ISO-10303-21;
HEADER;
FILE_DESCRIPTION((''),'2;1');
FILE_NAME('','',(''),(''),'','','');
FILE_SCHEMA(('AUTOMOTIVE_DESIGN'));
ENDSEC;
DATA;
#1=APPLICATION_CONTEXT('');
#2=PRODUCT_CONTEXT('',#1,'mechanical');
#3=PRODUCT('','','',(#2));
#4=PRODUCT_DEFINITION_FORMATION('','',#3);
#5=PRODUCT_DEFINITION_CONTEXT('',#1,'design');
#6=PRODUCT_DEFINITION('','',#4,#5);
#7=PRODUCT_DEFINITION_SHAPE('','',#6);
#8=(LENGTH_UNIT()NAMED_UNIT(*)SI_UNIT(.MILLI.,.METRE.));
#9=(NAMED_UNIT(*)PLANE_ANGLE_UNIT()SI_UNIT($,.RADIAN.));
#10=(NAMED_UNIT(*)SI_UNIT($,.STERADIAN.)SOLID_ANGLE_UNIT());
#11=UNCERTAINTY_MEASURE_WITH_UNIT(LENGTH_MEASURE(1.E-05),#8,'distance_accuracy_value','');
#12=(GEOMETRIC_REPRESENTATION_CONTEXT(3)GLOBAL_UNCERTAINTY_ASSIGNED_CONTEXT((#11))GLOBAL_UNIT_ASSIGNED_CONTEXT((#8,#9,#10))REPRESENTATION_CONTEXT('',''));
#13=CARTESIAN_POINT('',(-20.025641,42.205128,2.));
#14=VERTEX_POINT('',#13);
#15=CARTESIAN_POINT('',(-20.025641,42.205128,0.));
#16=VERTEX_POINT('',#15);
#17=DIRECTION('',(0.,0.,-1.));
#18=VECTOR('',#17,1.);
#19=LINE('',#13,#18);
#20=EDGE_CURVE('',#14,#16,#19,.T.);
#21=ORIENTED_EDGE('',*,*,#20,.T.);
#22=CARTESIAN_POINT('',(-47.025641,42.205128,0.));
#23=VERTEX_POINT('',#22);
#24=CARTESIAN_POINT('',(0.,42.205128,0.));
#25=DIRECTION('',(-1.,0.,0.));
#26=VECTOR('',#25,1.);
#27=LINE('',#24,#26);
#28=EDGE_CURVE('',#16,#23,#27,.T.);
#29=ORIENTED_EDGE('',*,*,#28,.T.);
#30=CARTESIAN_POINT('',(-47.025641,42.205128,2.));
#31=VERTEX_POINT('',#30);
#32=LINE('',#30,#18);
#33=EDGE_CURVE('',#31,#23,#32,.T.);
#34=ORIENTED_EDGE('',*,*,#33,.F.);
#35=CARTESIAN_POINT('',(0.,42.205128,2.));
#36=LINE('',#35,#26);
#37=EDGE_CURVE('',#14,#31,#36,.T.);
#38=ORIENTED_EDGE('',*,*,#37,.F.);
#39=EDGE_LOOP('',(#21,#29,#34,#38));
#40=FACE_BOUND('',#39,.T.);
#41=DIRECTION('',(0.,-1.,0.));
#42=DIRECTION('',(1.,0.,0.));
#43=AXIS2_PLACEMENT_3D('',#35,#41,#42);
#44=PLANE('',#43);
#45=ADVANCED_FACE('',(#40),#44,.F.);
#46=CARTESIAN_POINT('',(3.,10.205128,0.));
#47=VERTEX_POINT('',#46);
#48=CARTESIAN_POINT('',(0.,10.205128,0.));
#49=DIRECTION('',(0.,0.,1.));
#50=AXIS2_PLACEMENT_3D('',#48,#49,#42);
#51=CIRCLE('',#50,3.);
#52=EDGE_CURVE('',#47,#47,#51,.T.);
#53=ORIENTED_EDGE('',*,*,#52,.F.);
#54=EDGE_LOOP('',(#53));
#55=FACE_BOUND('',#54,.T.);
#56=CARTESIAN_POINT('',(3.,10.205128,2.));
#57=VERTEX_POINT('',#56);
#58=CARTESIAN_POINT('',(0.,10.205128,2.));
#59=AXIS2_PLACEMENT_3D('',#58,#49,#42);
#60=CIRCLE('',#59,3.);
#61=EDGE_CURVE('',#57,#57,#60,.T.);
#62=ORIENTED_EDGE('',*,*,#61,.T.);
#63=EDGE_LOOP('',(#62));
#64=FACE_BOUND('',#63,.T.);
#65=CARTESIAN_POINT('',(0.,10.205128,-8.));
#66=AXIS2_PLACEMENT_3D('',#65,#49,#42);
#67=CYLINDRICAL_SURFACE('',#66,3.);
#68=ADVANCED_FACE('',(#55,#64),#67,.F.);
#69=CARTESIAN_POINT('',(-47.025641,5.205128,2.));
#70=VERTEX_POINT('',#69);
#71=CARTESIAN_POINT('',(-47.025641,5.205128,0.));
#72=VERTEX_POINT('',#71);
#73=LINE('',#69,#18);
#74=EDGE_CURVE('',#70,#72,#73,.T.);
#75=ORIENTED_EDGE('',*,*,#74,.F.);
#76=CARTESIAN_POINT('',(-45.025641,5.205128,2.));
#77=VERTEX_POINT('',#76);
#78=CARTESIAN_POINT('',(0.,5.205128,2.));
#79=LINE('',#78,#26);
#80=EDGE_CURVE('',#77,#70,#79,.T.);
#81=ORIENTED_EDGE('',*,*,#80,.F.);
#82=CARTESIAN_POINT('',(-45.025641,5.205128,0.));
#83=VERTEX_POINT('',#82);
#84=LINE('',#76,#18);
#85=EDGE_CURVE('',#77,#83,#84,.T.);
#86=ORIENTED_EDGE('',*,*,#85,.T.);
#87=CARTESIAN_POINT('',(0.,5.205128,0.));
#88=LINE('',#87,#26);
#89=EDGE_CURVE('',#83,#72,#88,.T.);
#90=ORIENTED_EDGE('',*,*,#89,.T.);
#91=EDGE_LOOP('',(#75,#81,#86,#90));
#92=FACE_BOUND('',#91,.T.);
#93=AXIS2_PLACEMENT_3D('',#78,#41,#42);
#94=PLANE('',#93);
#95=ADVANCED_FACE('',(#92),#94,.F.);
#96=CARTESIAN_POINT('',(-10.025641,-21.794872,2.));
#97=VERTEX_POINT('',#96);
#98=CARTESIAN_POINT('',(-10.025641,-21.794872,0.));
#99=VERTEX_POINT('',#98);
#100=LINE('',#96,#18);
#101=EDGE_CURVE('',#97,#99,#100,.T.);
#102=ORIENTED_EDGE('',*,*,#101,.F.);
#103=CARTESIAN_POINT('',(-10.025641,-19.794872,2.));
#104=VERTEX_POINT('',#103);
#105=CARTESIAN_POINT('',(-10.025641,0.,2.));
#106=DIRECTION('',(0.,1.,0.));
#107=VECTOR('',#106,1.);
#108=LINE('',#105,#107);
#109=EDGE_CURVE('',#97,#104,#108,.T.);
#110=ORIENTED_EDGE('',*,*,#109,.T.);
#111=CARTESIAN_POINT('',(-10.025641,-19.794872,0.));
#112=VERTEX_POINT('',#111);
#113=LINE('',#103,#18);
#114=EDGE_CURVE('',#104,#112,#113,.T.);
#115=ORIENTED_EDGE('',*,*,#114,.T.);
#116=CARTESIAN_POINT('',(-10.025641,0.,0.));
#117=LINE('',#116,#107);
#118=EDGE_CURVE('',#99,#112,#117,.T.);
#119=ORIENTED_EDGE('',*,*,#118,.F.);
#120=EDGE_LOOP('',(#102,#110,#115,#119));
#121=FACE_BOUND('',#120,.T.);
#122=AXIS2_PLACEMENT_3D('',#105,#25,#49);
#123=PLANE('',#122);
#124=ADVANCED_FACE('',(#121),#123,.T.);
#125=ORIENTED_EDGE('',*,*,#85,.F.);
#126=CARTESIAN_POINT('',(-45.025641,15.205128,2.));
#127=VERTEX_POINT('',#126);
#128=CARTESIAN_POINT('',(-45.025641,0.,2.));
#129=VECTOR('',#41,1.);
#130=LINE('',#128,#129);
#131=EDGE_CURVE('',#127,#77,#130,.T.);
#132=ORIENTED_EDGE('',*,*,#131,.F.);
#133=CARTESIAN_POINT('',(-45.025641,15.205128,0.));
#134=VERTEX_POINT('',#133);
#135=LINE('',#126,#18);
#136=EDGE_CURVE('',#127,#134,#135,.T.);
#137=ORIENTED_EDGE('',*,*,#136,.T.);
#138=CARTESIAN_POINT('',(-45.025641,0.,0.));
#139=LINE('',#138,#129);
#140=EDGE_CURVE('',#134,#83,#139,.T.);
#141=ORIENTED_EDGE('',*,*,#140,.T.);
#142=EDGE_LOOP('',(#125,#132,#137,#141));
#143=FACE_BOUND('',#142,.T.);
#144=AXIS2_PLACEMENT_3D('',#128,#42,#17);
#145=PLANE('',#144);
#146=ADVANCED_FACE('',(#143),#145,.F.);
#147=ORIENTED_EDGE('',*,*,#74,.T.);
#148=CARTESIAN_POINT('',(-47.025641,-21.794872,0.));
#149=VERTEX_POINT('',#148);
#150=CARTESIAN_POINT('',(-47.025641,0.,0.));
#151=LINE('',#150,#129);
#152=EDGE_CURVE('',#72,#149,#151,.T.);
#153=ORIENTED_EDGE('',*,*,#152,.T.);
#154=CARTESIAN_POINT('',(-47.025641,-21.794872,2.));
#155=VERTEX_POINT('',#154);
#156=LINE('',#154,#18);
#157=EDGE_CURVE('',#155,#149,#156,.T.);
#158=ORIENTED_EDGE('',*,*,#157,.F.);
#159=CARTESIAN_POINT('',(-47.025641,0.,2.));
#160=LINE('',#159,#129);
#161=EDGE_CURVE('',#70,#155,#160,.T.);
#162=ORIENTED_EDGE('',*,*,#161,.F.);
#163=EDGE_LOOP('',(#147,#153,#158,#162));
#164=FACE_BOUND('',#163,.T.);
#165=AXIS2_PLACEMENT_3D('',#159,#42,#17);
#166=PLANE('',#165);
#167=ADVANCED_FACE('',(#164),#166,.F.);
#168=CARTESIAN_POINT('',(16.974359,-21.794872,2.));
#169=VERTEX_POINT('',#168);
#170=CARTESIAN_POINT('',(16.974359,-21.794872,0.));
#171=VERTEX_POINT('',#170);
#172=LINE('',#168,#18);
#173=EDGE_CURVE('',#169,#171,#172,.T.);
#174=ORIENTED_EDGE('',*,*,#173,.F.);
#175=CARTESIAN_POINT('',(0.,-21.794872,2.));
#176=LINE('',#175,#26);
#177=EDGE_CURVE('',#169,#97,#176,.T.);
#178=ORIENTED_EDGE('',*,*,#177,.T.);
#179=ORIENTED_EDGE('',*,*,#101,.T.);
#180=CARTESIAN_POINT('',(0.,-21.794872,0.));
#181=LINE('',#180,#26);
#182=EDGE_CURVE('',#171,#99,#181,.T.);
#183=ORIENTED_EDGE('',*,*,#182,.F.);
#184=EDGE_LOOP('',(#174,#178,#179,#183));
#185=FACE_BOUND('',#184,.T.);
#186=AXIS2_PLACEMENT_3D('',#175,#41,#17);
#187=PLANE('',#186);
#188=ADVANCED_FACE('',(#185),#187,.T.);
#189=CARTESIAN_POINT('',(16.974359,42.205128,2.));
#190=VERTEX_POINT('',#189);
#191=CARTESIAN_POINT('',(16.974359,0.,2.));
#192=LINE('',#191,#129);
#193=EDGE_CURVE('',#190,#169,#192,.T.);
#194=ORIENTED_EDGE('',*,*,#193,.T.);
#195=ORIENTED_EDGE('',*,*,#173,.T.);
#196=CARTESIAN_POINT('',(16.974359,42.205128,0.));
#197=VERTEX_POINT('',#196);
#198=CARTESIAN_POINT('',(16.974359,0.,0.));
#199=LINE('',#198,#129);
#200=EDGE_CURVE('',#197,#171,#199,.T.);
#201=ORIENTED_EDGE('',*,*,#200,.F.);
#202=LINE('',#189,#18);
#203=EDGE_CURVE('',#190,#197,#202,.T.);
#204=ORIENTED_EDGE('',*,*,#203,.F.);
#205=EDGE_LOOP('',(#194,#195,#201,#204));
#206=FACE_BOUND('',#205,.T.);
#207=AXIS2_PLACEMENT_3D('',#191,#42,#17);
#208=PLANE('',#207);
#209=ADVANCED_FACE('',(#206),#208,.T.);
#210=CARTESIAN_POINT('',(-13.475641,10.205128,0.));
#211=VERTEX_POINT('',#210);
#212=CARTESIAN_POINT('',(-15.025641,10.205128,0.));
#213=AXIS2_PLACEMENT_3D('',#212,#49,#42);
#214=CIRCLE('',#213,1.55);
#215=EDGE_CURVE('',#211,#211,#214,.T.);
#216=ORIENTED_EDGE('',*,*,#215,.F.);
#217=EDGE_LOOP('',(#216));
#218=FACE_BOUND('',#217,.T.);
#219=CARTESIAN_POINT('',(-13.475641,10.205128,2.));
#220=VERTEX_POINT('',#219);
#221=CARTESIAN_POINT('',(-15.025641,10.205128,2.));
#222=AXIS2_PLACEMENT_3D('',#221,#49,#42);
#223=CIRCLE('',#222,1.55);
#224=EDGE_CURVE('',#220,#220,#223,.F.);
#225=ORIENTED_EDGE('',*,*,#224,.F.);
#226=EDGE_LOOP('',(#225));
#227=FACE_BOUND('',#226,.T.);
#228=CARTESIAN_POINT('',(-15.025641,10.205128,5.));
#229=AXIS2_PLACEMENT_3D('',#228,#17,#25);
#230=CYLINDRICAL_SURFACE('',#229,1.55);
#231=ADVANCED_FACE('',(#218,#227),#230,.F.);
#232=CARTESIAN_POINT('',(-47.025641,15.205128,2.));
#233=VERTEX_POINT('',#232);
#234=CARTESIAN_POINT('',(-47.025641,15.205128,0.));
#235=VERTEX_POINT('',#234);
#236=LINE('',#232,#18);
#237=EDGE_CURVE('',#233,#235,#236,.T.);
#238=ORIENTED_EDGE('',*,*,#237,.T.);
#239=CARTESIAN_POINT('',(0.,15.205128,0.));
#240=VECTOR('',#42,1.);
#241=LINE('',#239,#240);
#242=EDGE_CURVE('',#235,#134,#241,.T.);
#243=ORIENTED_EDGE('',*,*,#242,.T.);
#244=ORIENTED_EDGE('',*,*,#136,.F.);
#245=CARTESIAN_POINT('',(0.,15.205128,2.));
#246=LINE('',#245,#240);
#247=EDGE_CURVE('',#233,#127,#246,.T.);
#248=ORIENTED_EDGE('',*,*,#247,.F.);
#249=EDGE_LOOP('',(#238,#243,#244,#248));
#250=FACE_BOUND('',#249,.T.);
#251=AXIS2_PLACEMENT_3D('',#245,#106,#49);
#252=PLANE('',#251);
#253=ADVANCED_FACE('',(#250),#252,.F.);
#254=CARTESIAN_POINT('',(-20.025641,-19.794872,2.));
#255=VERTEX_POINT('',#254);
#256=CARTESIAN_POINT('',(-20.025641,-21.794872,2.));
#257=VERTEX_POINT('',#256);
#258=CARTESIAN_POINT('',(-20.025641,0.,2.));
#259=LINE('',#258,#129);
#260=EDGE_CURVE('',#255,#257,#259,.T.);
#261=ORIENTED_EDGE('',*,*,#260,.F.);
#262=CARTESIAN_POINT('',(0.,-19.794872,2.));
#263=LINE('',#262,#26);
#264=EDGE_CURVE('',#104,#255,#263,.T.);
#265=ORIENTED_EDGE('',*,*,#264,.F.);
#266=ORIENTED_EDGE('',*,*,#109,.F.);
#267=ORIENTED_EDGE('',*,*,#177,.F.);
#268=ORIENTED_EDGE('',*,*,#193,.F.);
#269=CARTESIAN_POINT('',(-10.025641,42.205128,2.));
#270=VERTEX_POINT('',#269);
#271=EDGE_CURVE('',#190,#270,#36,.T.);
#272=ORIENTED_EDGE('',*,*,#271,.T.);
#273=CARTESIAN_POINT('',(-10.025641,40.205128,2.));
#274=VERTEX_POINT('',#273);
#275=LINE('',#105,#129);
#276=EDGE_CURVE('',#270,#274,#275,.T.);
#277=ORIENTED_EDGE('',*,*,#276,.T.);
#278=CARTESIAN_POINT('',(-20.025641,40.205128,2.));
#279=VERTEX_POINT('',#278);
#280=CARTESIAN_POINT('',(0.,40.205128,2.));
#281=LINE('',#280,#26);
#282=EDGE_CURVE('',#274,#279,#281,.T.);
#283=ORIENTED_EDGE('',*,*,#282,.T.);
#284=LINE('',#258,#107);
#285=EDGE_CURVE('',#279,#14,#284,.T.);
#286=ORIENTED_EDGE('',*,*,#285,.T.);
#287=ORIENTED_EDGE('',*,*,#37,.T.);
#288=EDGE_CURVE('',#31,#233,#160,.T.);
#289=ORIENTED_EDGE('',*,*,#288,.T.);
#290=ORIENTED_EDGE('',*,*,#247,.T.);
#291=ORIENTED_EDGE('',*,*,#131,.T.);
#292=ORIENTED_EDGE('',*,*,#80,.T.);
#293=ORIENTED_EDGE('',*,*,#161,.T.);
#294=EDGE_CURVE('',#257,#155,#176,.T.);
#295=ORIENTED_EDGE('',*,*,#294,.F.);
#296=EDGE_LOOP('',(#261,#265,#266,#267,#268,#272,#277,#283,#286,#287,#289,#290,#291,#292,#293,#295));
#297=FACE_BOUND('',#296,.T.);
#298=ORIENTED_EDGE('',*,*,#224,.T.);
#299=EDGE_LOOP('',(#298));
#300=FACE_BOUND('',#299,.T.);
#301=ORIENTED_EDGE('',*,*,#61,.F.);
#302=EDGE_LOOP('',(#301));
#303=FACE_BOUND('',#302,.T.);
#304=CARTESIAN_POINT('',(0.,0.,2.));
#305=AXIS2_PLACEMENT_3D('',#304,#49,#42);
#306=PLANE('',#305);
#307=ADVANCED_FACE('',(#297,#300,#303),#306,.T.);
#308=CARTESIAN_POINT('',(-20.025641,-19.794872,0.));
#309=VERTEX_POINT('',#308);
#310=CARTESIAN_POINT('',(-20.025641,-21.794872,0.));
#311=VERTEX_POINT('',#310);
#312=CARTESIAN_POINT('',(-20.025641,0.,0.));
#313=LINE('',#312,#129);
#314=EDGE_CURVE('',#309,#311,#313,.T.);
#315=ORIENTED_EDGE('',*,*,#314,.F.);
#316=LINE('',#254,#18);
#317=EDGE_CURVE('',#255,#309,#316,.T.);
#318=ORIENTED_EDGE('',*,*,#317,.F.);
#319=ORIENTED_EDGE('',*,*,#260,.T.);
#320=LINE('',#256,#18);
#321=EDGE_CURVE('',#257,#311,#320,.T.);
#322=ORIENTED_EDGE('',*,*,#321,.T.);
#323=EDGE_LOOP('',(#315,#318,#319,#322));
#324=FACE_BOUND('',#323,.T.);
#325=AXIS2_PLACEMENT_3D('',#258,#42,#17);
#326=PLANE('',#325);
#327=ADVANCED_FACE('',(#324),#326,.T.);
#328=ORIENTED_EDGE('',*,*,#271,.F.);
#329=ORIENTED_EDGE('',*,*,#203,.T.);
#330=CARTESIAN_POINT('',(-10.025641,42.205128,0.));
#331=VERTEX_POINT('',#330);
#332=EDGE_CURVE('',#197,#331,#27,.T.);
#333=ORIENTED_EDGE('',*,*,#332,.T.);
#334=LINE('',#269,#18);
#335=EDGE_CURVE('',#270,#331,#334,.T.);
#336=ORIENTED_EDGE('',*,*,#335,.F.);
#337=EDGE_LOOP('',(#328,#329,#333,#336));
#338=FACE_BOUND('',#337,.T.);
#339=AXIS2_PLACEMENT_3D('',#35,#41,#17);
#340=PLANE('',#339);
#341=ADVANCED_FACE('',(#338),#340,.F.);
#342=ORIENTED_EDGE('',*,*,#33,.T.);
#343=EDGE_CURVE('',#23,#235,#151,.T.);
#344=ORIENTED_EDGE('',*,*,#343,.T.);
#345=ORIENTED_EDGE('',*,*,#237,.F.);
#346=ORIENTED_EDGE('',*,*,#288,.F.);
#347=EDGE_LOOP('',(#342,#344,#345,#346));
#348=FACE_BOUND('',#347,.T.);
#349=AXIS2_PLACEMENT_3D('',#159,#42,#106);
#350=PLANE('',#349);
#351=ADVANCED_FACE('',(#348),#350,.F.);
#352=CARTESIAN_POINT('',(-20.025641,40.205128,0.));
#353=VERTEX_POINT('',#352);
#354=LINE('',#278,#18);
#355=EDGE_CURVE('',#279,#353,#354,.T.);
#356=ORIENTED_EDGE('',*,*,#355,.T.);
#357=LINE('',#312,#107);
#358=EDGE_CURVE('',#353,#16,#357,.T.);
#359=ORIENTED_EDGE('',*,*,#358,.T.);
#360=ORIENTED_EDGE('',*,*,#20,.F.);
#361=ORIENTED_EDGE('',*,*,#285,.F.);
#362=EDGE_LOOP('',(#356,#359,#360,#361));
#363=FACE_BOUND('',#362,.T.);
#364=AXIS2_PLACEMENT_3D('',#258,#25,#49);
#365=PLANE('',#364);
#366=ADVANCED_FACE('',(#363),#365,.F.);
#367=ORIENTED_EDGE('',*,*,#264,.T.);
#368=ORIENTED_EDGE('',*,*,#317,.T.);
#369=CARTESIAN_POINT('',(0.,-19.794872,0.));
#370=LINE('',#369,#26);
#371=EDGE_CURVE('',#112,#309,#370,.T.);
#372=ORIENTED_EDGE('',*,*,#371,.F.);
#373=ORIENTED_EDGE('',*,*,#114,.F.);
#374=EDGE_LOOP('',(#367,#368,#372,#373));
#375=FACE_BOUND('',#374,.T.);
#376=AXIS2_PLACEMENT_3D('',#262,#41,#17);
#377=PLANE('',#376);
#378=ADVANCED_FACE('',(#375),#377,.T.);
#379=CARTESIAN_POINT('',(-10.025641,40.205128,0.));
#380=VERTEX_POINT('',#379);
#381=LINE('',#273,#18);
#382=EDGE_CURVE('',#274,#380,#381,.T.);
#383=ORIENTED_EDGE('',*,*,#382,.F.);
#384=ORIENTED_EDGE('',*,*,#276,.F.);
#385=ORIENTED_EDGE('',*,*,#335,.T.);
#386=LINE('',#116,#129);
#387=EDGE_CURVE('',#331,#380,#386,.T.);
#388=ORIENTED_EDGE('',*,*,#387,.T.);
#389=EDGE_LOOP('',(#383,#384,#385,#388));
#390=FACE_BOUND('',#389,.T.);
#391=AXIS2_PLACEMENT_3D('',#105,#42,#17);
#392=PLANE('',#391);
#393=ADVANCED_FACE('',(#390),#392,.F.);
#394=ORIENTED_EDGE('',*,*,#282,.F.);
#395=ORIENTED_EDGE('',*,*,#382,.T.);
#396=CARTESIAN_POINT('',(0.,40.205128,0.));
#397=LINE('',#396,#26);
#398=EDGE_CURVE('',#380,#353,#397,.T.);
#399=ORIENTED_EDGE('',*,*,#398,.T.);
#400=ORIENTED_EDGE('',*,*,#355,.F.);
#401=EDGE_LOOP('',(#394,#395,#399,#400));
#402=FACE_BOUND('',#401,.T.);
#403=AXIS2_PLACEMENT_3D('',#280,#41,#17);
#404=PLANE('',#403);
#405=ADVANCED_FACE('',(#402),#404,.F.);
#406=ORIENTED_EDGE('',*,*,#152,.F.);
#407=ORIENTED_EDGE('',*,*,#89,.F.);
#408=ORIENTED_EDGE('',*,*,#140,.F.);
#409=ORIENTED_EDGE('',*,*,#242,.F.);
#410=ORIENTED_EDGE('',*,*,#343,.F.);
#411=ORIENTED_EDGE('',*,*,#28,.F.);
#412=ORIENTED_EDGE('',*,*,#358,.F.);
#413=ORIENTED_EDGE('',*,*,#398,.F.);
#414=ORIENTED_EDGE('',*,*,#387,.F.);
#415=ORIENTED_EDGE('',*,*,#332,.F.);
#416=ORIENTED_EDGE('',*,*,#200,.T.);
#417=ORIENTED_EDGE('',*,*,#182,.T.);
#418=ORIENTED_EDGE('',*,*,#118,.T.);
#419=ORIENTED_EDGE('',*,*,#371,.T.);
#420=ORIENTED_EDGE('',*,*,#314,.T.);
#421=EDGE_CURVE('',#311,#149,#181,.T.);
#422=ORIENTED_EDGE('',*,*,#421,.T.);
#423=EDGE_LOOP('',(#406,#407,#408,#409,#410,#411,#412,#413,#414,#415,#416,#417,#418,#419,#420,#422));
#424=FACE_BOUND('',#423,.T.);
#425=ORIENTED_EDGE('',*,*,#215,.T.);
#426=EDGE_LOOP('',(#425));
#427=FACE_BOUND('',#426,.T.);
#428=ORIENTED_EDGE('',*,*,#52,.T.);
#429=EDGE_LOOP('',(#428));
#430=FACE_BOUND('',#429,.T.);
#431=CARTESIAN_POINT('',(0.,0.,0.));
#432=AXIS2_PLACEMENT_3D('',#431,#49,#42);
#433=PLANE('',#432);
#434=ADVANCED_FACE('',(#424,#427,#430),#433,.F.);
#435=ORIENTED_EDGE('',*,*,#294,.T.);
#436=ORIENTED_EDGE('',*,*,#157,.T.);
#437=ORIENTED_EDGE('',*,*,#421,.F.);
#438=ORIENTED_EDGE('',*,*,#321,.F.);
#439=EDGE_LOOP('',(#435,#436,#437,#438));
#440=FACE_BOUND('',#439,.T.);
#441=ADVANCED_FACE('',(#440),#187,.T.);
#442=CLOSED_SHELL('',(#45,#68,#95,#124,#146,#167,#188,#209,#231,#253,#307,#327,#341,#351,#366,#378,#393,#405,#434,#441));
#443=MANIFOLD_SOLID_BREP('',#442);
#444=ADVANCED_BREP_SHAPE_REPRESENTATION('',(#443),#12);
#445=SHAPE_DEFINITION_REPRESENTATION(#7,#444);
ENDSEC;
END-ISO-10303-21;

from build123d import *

# Parameters (mm, degrees)
EXTRUDE_1_DEPTH     = 2
SKETCH_2_R          = 1.55
CUT_EXTRUDE_1_DEPTH = 5
SKETCH_3_R          = 3
CUT_EXTRUDE_2_DEPTH = 10


with BuildPart() as part:
    # 草图1 → 凸台-拉伸1 (new body)
    with BuildSketch(Plane.XY):
        Polygon((16.974358974, 15.205128205), (16.974358974, 42.205128205), (2.974358974, 42.205128205), (-5.298152288, 42.205128205), (-10.025641026, 42.205128205), (-10.025641026, 40.205128205), (-20.025641026, 40.205128205), (-20.025641026, 42.205128205), (-47.025641026, 42.205128205), (-47.025641026, 15.205128205), (-45.025641026, 15.205128205), (-45.025641026, 5.205128205), (-47.025641026, 5.205128205), (-47.025641026, -21.794871795), (-20.025641026, -21.794871795), (-20.025641026, -19.794871795), (-10.025641026, -19.794871795), (-10.025641026, -21.794871795), (16.974358974, -21.794871795), (16.974358974, 5.205128205), align=None)
    extrude(amount=EXTRUDE_1_DEPTH)

    # 草图2 → 切除-拉伸1 (cut)
    with BuildSketch(Plane.XY):
        with Locations((-15.025641026, 10.205128205)):
            Circle(SKETCH_2_R)
    extrude(amount=CUT_EXTRUDE_1_DEPTH, mode=Mode.SUBTRACT)

    # 草图3 → 切除-拉伸2 (cut)
    with BuildSketch(Plane.XY.offset(2)):
        with Locations((0, 10.205128205)):
            Circle(SKETCH_3_R)
    extrude(amount=-CUT_EXTRUDE_2_DEPTH, mode=Mode.SUBTRACT)


solid = part.part
